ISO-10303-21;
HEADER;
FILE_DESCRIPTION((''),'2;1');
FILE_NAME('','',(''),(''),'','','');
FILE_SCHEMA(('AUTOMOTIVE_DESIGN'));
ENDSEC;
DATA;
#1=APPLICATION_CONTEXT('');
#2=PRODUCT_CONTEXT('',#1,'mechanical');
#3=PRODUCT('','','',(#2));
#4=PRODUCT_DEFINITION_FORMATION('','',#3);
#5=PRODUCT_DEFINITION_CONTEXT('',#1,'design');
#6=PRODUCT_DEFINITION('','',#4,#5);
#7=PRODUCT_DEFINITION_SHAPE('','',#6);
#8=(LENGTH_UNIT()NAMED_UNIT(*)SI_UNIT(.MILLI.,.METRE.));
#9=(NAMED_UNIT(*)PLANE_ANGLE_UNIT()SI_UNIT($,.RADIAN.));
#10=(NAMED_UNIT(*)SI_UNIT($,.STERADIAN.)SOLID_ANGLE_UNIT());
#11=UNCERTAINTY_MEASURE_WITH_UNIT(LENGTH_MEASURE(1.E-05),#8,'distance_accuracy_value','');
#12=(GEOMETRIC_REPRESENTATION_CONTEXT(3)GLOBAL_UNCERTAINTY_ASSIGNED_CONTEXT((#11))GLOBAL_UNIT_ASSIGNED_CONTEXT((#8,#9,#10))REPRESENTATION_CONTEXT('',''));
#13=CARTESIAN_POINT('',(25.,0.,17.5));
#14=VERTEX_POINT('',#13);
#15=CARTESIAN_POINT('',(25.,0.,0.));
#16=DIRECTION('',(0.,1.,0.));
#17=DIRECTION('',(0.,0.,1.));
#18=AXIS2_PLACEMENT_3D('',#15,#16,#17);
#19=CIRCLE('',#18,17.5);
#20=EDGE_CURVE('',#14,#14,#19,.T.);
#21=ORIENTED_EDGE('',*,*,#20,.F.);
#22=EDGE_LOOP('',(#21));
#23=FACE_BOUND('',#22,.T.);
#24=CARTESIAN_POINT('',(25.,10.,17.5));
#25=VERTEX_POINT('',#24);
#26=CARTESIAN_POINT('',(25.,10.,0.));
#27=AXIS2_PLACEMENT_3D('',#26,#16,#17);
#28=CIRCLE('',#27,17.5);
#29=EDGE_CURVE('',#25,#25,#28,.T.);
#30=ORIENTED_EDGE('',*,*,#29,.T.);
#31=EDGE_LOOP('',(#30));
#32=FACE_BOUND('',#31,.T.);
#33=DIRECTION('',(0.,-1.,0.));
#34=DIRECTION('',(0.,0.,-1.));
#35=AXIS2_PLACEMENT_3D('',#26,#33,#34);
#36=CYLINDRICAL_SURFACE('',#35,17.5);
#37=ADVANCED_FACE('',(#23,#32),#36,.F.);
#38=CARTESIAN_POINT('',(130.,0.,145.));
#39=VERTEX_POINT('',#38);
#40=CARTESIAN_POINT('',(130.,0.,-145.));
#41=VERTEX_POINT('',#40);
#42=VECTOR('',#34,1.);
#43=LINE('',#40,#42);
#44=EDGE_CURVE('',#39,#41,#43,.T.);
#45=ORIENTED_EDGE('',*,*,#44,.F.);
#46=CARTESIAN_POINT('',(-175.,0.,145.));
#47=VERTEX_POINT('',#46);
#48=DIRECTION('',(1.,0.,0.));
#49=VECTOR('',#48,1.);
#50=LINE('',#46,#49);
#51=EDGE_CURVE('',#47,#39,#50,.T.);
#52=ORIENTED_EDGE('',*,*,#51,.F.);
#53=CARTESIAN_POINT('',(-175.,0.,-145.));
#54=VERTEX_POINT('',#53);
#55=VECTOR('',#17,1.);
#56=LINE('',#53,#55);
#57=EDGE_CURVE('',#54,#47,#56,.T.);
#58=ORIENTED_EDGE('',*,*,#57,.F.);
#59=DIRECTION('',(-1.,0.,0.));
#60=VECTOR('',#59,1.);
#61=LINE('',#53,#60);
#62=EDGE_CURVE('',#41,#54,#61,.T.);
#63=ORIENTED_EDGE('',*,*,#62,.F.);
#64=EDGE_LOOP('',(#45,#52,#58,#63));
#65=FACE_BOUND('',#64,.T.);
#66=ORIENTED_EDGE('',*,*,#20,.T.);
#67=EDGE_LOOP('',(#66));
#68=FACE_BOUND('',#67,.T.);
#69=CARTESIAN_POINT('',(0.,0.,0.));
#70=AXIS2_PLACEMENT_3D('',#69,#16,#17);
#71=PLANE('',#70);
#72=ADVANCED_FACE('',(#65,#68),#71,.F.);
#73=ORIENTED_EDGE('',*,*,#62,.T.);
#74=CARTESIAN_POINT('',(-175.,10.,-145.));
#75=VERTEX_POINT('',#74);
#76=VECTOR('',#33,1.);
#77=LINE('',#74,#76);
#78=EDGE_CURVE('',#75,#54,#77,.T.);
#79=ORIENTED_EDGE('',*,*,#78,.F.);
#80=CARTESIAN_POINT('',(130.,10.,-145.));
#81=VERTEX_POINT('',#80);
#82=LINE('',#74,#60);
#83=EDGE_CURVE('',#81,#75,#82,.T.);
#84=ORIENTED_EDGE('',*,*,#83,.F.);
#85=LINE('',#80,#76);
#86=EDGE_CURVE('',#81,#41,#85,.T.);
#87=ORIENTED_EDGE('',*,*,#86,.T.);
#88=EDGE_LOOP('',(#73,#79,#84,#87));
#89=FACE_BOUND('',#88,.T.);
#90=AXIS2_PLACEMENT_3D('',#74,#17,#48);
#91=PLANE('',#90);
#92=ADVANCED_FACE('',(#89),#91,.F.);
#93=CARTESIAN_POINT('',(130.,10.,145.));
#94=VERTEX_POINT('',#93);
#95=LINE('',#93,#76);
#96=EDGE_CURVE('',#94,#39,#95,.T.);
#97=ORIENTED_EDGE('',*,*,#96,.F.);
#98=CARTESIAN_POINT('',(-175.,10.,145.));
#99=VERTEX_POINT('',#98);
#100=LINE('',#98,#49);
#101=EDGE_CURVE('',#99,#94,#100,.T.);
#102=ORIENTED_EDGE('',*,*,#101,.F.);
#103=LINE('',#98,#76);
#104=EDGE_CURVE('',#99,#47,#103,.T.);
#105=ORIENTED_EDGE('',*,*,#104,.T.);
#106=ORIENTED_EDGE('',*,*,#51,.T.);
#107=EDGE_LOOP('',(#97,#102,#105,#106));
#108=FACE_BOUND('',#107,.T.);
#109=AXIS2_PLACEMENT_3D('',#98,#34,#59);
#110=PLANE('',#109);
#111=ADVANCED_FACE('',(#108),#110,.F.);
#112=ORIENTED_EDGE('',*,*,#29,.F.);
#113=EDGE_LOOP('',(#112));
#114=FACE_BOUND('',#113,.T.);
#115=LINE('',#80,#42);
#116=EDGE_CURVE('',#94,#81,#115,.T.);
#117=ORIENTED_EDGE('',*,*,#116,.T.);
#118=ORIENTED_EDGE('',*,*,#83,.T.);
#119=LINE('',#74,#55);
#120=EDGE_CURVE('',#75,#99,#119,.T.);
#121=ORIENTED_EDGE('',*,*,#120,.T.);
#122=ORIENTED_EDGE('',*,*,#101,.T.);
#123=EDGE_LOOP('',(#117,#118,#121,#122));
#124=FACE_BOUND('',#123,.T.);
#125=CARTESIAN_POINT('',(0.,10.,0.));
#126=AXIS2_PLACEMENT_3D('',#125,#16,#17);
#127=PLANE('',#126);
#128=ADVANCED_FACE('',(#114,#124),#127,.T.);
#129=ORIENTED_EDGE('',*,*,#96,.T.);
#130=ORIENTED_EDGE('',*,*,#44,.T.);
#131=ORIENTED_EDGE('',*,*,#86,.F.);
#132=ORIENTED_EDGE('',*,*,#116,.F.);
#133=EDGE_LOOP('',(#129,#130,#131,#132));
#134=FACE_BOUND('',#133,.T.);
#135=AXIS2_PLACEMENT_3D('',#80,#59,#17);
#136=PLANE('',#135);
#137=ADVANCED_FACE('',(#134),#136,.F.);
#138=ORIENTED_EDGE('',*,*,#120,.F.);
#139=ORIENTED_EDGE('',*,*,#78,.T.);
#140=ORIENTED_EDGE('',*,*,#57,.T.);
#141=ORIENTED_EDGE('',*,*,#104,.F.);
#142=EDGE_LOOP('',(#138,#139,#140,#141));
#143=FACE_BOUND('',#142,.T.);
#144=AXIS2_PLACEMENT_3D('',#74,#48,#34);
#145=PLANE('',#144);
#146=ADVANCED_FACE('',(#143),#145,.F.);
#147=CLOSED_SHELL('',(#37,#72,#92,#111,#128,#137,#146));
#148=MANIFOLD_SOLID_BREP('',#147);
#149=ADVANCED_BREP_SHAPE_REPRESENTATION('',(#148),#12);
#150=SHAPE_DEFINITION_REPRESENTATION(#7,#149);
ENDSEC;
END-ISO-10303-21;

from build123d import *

# Parameters (mm, degrees)
SKETCH1_W           = 305
SKETCH1_H           = 290
SKETCH1_R           = 17.5
BOSS_EXTRUDE1_DEPTH = 10


with BuildPart() as part:
    # Sketch1 → Boss-Extrude1 (new body)
    with BuildSketch(Plane(origin=(0, 0, 0), x_dir=(1, 0, 0), z_dir=(0, 1, 0))):
        with Locations((-22.5, 0)):
            Rectangle(SKETCH1_W, SKETCH1_H)
        with Locations((25, 0)):
            Circle(SKETCH1_R, mode=Mode.SUBTRACT)
    extrude(amount=BOSS_EXTRUDE1_DEPTH)


solid = part.part
